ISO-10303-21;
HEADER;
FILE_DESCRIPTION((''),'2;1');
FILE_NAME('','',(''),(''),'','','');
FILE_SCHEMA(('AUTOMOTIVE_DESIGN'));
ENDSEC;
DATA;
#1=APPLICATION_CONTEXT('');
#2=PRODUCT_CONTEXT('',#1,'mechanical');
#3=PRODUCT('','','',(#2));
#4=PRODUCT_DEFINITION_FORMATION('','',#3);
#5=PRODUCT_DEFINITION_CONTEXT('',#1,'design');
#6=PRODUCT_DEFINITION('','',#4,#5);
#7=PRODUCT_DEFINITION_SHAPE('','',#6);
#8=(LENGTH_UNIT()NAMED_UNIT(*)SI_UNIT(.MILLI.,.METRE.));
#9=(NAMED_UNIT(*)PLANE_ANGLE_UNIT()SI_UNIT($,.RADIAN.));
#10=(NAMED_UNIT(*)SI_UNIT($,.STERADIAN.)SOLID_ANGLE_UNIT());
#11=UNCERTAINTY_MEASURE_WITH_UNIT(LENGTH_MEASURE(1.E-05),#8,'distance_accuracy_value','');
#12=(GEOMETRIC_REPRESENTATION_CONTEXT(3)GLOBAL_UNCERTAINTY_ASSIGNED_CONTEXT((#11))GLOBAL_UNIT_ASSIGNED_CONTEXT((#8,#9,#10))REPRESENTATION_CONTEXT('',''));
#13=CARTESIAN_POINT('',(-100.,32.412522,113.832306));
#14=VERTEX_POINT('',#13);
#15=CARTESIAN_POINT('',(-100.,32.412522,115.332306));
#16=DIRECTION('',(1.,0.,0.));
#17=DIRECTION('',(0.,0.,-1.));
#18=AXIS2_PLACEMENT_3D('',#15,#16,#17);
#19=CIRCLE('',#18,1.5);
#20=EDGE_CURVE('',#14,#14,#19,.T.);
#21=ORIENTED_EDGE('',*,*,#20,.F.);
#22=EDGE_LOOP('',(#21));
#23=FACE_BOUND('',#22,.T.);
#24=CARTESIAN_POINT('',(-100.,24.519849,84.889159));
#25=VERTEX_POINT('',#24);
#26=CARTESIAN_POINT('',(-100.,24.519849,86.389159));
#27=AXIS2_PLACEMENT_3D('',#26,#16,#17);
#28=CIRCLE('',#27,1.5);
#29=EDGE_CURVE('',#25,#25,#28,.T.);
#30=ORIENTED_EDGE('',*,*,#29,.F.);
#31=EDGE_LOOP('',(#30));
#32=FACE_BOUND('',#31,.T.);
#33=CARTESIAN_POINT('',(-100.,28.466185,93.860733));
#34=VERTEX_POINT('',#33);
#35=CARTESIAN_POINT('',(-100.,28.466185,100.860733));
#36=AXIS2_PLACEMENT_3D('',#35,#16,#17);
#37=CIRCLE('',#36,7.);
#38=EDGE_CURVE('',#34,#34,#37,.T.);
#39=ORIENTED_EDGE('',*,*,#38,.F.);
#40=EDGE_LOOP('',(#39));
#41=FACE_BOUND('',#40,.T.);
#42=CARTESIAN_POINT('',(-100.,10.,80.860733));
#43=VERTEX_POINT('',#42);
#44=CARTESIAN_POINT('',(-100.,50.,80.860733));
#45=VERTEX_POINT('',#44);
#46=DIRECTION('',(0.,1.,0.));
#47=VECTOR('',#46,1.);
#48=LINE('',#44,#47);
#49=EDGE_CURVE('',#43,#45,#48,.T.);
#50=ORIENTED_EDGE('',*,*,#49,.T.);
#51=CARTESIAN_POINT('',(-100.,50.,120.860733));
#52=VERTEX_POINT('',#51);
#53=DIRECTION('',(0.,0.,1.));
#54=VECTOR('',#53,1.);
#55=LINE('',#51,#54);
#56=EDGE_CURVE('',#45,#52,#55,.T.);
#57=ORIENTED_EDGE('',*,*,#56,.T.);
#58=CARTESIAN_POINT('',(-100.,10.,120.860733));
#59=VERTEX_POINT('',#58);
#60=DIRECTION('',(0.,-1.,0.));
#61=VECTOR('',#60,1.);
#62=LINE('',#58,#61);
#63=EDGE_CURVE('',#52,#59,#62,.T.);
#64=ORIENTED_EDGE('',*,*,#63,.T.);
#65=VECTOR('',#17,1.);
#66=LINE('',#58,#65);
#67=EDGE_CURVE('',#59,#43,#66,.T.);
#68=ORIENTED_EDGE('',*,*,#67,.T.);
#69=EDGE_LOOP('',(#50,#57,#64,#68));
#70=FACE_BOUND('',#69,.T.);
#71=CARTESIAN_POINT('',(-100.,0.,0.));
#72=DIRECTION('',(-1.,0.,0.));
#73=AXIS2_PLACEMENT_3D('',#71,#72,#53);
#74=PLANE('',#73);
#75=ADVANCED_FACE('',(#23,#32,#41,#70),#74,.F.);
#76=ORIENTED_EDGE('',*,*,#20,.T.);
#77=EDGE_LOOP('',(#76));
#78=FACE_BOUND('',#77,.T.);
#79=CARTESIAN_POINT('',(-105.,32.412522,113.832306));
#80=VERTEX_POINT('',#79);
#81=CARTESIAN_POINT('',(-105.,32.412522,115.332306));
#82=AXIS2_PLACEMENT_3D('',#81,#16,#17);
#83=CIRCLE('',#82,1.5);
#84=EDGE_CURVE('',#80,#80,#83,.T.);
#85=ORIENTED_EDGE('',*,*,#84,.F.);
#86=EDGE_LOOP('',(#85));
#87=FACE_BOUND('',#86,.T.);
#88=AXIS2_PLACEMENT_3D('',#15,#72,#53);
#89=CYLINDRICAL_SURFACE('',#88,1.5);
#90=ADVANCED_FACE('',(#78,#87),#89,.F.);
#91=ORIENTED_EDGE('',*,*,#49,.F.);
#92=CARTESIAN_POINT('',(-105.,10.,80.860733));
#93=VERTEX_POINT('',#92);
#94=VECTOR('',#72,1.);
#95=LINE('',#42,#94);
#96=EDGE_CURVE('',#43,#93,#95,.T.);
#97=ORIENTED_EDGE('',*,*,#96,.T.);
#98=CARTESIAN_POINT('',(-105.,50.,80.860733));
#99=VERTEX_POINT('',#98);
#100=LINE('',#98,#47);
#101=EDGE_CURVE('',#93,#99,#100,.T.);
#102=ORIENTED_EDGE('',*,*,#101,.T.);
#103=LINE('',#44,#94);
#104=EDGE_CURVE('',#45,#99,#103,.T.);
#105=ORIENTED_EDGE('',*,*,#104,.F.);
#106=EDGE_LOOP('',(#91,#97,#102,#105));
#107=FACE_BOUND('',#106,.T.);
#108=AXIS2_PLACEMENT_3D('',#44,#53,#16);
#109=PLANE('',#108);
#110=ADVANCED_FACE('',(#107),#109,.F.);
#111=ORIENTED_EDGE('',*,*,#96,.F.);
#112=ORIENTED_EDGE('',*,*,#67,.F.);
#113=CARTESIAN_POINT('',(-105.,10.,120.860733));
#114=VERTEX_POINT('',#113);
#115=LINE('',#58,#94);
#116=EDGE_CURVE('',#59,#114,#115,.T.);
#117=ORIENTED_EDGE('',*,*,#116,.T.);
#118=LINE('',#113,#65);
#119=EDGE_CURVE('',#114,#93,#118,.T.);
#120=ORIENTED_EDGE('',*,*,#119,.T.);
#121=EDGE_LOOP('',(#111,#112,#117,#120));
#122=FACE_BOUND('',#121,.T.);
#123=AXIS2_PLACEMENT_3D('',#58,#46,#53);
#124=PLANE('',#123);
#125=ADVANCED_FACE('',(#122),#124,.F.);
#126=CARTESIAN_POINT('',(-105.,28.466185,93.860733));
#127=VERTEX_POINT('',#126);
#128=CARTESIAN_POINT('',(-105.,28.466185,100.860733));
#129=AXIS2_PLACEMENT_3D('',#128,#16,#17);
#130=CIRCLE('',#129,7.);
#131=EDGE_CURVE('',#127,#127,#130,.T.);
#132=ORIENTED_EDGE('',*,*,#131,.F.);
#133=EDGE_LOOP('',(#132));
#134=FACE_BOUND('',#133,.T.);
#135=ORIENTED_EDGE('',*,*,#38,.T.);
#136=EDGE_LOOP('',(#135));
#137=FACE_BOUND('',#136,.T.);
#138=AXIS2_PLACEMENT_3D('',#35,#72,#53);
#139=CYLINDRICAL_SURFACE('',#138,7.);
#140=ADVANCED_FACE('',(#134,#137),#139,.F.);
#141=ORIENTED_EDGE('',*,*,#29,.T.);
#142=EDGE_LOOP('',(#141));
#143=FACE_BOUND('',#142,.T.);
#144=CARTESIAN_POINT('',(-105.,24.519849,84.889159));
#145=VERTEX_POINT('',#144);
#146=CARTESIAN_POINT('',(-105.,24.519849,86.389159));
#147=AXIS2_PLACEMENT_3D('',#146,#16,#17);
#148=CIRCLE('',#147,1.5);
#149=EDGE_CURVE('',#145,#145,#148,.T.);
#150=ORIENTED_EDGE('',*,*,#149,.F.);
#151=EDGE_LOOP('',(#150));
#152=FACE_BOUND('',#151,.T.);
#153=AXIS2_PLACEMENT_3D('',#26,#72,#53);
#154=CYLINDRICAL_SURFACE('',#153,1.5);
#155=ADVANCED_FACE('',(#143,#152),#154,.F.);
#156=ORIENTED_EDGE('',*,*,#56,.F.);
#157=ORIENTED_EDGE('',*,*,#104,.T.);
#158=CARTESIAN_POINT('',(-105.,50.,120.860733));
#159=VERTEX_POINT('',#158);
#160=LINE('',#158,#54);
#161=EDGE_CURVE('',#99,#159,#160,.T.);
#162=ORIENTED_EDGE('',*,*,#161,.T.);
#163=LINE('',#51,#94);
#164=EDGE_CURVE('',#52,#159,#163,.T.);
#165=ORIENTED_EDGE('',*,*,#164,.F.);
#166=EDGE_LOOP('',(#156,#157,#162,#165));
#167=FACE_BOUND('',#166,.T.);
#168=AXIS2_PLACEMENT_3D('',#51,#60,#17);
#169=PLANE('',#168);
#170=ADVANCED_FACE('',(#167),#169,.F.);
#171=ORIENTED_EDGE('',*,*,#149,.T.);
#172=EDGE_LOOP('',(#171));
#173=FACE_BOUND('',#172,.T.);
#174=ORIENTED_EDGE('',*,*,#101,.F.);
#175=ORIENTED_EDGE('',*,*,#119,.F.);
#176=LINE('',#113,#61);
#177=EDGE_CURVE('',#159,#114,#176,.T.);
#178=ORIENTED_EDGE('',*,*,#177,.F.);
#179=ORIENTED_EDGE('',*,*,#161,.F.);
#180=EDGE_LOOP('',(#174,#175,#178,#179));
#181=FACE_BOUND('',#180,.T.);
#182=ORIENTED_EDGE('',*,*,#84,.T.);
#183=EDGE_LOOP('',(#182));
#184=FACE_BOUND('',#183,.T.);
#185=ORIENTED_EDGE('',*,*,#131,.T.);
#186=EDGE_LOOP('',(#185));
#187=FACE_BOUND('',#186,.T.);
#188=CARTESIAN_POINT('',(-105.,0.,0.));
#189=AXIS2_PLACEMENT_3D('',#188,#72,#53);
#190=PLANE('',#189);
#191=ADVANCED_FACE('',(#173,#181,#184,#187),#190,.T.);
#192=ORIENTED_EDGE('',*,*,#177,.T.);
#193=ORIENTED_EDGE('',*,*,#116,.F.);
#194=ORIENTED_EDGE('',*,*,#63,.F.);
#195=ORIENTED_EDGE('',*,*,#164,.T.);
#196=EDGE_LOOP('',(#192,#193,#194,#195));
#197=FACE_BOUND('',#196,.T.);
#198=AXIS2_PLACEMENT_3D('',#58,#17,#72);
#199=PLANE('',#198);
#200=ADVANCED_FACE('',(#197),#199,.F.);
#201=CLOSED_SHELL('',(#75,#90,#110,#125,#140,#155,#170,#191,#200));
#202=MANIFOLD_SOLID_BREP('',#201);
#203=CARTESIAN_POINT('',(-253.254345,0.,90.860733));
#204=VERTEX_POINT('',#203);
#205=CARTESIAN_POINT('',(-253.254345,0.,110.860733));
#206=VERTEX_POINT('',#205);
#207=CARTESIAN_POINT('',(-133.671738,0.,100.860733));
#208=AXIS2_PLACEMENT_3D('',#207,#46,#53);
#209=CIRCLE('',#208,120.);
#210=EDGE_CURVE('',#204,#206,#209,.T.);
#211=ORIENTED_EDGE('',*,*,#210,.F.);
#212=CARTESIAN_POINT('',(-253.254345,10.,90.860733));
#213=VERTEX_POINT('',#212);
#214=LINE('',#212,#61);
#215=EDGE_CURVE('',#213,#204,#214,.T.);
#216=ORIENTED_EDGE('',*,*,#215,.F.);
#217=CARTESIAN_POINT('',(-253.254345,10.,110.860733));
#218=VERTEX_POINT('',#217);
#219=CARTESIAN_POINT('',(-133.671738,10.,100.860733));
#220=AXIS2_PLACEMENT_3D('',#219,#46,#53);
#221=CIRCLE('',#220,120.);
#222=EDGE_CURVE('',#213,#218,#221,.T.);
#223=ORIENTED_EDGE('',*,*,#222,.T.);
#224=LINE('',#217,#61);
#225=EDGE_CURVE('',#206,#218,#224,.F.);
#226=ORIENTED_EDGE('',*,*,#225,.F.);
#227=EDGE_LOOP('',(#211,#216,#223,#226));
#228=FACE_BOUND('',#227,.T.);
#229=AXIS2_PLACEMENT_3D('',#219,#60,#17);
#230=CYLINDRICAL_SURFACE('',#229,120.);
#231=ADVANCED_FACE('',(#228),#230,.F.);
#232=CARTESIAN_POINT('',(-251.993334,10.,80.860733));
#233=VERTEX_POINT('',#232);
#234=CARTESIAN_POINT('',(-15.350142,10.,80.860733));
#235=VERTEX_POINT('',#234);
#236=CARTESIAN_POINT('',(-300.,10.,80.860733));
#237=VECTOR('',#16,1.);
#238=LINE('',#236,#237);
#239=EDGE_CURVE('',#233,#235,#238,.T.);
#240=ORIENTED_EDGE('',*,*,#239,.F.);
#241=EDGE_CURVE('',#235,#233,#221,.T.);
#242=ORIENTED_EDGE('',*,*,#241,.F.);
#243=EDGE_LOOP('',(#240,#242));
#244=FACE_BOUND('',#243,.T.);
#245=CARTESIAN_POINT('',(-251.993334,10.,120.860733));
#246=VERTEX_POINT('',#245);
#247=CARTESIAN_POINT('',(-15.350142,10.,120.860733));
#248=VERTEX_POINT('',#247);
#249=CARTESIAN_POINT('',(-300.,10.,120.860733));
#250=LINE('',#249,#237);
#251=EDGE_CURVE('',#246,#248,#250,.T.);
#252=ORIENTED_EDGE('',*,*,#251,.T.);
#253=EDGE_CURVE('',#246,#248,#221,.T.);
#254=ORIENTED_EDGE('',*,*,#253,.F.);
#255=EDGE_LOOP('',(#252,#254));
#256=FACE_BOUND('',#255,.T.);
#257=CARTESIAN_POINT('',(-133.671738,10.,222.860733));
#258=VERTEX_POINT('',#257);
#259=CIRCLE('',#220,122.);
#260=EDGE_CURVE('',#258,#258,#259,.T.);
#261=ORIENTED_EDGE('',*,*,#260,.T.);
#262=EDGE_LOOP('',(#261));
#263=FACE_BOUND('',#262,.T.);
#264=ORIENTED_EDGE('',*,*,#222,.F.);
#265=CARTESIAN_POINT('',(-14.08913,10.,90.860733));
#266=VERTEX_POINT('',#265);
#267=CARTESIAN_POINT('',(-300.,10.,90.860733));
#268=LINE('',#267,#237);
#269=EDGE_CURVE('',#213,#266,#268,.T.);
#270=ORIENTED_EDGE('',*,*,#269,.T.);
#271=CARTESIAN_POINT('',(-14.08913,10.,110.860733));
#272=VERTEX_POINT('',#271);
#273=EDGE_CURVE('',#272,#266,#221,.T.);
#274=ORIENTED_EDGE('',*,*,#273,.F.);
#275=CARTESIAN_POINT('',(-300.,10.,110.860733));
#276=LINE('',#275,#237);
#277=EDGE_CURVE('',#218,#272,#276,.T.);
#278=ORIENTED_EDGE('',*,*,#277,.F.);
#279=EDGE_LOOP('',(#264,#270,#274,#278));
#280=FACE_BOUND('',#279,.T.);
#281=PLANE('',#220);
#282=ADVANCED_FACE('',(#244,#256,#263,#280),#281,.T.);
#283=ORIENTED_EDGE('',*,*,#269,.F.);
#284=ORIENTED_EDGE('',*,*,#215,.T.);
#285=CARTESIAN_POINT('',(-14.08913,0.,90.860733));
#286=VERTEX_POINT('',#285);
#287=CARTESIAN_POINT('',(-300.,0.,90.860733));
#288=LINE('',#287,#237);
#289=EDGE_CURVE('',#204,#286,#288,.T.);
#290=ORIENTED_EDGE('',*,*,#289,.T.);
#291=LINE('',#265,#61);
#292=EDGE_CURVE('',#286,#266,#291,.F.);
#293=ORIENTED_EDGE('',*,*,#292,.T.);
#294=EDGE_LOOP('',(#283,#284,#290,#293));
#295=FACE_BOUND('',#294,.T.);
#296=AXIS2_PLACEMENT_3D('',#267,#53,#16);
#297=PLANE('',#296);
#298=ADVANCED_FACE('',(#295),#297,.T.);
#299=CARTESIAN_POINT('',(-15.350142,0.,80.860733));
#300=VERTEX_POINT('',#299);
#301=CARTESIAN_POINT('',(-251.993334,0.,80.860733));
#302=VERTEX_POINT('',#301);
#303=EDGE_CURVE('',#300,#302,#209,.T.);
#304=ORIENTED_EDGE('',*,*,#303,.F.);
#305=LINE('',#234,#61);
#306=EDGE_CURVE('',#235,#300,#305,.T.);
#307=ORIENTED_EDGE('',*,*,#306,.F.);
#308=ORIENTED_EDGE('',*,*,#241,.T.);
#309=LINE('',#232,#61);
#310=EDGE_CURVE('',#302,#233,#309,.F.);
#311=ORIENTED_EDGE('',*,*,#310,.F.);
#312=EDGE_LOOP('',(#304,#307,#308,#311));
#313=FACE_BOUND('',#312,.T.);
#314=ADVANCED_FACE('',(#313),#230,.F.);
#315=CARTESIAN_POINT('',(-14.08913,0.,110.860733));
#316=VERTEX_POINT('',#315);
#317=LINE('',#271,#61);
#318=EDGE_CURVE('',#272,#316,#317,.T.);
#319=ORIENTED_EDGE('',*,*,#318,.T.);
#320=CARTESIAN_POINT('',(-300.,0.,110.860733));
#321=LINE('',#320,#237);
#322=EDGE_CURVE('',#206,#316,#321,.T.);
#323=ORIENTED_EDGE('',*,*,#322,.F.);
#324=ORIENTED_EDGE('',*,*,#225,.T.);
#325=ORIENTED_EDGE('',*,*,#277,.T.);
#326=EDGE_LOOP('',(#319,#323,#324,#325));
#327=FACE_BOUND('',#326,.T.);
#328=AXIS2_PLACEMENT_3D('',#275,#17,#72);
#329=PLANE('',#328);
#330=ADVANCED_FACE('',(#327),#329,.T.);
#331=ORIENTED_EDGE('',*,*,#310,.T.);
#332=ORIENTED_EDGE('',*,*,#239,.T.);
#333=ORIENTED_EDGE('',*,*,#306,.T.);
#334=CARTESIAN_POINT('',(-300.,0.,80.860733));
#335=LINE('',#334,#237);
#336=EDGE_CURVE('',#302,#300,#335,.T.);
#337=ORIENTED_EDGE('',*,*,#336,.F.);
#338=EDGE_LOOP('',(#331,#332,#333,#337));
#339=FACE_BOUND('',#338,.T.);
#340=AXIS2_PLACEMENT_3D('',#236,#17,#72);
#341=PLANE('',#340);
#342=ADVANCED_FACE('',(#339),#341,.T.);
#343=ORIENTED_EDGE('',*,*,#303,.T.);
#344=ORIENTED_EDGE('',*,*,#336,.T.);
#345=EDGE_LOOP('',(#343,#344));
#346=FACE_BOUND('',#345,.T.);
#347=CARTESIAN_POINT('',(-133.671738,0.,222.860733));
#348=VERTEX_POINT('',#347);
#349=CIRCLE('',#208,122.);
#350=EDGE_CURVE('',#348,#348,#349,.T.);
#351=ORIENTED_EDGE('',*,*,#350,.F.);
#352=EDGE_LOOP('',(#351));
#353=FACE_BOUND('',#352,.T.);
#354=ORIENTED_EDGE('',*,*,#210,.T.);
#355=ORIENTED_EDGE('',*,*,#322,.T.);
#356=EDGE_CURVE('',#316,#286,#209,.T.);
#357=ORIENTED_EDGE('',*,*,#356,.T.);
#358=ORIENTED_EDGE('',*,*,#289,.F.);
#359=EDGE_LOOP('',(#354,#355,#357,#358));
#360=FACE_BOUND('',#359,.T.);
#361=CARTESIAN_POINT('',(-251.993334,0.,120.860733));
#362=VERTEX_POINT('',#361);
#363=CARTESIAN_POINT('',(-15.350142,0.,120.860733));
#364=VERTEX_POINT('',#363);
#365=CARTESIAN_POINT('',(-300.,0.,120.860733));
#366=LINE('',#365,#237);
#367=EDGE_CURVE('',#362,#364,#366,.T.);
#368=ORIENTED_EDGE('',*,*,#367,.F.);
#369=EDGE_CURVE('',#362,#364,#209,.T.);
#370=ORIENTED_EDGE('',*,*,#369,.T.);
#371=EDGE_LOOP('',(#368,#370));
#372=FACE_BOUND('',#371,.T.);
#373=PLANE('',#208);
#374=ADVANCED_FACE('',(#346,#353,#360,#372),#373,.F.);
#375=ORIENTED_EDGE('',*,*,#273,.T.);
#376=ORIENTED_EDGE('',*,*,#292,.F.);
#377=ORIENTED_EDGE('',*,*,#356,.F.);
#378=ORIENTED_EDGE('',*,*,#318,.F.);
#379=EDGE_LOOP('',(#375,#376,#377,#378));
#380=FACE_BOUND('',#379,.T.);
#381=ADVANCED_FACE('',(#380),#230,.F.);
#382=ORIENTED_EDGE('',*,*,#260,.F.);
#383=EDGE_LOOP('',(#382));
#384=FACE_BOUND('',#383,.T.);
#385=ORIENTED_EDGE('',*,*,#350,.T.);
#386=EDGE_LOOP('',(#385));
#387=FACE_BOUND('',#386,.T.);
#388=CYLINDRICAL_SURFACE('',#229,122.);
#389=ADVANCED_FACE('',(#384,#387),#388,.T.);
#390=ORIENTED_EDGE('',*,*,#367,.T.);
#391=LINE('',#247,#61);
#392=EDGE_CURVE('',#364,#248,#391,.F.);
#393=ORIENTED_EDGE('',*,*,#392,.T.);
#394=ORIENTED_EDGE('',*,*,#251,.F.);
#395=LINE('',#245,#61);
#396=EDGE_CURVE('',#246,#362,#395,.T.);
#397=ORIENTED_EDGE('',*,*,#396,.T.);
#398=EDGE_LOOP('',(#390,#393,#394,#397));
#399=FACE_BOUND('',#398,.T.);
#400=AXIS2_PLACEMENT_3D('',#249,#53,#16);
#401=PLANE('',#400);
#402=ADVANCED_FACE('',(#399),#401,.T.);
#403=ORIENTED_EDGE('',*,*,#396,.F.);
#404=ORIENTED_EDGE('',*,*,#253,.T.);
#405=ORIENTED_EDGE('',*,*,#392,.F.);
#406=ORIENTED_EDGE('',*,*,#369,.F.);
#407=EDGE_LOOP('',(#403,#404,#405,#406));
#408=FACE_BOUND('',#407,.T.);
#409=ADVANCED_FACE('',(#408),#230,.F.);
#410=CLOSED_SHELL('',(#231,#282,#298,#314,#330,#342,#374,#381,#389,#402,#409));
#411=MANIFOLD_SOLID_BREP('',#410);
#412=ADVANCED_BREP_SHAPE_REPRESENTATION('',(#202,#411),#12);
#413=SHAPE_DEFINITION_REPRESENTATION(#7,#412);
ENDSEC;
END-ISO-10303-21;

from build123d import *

# Parameters (mm, degrees)
SKETCH1_R               = 122
SKETCH1_R_2             = 120
BOSS_EXTRUDE1_DEPTH     = 10
SKETCH2_W               = 10
SKETCH2_H               = 10
BOSS_EXTRUDE2_DEPTH     = 300
CUT_EXTRUDE5_DEPTH      = 374.854124119
CUT_EXTRUDE5_DEPTH_BACK = 374.854124119
SKETCH3_OUTSIDE_W       = 379.366
SKETCH3_OUTSIDE_H       = 323.366
SKETCH3_OUTSIDE_R       = 122
BOSS_EXTRUDE3_START     = -105
SKETCH4_W               = 40
SKETCH4_H               = 40
SKETCH4_R               = 1.5
SKETCH4_R_2             = 7
BOSS_EXTRUDE3_DEPTH     = 5


with BuildPart() as part:
    # Sketch1 → Boss-Extrude1 (new body)
    with BuildSketch(Plane(origin=(0, 0, 0), x_dir=(1, 0, 0), z_dir=(0, 1, 0))):
        with Locations(Location((-133.671737878, -100.860732568, 0), (0, 0, 270))):
            Circle(SKETCH1_R)
        with Locations(Location((-133.671737878, -100.860732568, 0), (0, 0, 270))):
            Circle(SKETCH1_R_2, mode=Mode.SUBTRACT)
    extrude(amount=BOSS_EXTRUDE1_DEPTH)

    # Sketch2 → Boss-Extrude2 (add)
    with BuildSketch(Plane(origin=(0, 0, 0), x_dir=(0, 0, -1), z_dir=(1, 0, 0))):
        with Locations((-115.860732568, 5)):
            Rectangle(SKETCH2_W, SKETCH2_H)
        with Locations((-85.860732568, 5)):
            Rectangle(SKETCH2_W, SKETCH2_H)
    extrude(amount=-BOSS_EXTRUDE2_DEPTH)

    # Sketch3 outside → Cut-Extrude5 (cut, two sides: drawn at the far end of the back side and taken through both)
    with BuildSketch(Plane(origin=(0, 0, 0), x_dir=(1, 0, 0), z_dir=(0, 1, 0)).offset(-CUT_EXTRUDE5_DEPTH_BACK)):
        with Locations((-150, -100.861)):
            Rectangle(SKETCH3_OUTSIDE_W, SKETCH3_OUTSIDE_H)
        with Locations(Location((-133.671737878, -100.860732568, 0), (0, 0, 270))):
            Circle(SKETCH3_OUTSIDE_R, mode=Mode.SUBTRACT)
    extrude(amount=CUT_EXTRUDE5_DEPTH + CUT_EXTRUDE5_DEPTH_BACK, mode=Mode.SUBTRACT)


with BuildPart() as body_2:
    # Sketch4 → Boss-Extrude3 (new body)
    with BuildSketch(Plane(origin=(0, 0, 0), x_dir=(0, 0, -1), z_dir=(1, 0, 0)).offset(BOSS_EXTRUDE3_START)):
        with Locations((-100.860732568, 30)):
            Rectangle(SKETCH4_W, SKETCH4_H)
        with Locations((-86.38915947, 24.519848777)):
            Circle(SKETCH4_R, mode=Mode.SUBTRACT)
        with Locations((-115.332305667, 32.412521849)):
            Circle(SKETCH4_R, mode=Mode.SUBTRACT)
        with Locations((-100.860732568, 28.466185313)):
            Circle(SKETCH4_R_2, mode=Mode.SUBTRACT)
    extrude(amount=BOSS_EXTRUDE3_DEPTH)


solid = Compound([part.part, body_2.part])
